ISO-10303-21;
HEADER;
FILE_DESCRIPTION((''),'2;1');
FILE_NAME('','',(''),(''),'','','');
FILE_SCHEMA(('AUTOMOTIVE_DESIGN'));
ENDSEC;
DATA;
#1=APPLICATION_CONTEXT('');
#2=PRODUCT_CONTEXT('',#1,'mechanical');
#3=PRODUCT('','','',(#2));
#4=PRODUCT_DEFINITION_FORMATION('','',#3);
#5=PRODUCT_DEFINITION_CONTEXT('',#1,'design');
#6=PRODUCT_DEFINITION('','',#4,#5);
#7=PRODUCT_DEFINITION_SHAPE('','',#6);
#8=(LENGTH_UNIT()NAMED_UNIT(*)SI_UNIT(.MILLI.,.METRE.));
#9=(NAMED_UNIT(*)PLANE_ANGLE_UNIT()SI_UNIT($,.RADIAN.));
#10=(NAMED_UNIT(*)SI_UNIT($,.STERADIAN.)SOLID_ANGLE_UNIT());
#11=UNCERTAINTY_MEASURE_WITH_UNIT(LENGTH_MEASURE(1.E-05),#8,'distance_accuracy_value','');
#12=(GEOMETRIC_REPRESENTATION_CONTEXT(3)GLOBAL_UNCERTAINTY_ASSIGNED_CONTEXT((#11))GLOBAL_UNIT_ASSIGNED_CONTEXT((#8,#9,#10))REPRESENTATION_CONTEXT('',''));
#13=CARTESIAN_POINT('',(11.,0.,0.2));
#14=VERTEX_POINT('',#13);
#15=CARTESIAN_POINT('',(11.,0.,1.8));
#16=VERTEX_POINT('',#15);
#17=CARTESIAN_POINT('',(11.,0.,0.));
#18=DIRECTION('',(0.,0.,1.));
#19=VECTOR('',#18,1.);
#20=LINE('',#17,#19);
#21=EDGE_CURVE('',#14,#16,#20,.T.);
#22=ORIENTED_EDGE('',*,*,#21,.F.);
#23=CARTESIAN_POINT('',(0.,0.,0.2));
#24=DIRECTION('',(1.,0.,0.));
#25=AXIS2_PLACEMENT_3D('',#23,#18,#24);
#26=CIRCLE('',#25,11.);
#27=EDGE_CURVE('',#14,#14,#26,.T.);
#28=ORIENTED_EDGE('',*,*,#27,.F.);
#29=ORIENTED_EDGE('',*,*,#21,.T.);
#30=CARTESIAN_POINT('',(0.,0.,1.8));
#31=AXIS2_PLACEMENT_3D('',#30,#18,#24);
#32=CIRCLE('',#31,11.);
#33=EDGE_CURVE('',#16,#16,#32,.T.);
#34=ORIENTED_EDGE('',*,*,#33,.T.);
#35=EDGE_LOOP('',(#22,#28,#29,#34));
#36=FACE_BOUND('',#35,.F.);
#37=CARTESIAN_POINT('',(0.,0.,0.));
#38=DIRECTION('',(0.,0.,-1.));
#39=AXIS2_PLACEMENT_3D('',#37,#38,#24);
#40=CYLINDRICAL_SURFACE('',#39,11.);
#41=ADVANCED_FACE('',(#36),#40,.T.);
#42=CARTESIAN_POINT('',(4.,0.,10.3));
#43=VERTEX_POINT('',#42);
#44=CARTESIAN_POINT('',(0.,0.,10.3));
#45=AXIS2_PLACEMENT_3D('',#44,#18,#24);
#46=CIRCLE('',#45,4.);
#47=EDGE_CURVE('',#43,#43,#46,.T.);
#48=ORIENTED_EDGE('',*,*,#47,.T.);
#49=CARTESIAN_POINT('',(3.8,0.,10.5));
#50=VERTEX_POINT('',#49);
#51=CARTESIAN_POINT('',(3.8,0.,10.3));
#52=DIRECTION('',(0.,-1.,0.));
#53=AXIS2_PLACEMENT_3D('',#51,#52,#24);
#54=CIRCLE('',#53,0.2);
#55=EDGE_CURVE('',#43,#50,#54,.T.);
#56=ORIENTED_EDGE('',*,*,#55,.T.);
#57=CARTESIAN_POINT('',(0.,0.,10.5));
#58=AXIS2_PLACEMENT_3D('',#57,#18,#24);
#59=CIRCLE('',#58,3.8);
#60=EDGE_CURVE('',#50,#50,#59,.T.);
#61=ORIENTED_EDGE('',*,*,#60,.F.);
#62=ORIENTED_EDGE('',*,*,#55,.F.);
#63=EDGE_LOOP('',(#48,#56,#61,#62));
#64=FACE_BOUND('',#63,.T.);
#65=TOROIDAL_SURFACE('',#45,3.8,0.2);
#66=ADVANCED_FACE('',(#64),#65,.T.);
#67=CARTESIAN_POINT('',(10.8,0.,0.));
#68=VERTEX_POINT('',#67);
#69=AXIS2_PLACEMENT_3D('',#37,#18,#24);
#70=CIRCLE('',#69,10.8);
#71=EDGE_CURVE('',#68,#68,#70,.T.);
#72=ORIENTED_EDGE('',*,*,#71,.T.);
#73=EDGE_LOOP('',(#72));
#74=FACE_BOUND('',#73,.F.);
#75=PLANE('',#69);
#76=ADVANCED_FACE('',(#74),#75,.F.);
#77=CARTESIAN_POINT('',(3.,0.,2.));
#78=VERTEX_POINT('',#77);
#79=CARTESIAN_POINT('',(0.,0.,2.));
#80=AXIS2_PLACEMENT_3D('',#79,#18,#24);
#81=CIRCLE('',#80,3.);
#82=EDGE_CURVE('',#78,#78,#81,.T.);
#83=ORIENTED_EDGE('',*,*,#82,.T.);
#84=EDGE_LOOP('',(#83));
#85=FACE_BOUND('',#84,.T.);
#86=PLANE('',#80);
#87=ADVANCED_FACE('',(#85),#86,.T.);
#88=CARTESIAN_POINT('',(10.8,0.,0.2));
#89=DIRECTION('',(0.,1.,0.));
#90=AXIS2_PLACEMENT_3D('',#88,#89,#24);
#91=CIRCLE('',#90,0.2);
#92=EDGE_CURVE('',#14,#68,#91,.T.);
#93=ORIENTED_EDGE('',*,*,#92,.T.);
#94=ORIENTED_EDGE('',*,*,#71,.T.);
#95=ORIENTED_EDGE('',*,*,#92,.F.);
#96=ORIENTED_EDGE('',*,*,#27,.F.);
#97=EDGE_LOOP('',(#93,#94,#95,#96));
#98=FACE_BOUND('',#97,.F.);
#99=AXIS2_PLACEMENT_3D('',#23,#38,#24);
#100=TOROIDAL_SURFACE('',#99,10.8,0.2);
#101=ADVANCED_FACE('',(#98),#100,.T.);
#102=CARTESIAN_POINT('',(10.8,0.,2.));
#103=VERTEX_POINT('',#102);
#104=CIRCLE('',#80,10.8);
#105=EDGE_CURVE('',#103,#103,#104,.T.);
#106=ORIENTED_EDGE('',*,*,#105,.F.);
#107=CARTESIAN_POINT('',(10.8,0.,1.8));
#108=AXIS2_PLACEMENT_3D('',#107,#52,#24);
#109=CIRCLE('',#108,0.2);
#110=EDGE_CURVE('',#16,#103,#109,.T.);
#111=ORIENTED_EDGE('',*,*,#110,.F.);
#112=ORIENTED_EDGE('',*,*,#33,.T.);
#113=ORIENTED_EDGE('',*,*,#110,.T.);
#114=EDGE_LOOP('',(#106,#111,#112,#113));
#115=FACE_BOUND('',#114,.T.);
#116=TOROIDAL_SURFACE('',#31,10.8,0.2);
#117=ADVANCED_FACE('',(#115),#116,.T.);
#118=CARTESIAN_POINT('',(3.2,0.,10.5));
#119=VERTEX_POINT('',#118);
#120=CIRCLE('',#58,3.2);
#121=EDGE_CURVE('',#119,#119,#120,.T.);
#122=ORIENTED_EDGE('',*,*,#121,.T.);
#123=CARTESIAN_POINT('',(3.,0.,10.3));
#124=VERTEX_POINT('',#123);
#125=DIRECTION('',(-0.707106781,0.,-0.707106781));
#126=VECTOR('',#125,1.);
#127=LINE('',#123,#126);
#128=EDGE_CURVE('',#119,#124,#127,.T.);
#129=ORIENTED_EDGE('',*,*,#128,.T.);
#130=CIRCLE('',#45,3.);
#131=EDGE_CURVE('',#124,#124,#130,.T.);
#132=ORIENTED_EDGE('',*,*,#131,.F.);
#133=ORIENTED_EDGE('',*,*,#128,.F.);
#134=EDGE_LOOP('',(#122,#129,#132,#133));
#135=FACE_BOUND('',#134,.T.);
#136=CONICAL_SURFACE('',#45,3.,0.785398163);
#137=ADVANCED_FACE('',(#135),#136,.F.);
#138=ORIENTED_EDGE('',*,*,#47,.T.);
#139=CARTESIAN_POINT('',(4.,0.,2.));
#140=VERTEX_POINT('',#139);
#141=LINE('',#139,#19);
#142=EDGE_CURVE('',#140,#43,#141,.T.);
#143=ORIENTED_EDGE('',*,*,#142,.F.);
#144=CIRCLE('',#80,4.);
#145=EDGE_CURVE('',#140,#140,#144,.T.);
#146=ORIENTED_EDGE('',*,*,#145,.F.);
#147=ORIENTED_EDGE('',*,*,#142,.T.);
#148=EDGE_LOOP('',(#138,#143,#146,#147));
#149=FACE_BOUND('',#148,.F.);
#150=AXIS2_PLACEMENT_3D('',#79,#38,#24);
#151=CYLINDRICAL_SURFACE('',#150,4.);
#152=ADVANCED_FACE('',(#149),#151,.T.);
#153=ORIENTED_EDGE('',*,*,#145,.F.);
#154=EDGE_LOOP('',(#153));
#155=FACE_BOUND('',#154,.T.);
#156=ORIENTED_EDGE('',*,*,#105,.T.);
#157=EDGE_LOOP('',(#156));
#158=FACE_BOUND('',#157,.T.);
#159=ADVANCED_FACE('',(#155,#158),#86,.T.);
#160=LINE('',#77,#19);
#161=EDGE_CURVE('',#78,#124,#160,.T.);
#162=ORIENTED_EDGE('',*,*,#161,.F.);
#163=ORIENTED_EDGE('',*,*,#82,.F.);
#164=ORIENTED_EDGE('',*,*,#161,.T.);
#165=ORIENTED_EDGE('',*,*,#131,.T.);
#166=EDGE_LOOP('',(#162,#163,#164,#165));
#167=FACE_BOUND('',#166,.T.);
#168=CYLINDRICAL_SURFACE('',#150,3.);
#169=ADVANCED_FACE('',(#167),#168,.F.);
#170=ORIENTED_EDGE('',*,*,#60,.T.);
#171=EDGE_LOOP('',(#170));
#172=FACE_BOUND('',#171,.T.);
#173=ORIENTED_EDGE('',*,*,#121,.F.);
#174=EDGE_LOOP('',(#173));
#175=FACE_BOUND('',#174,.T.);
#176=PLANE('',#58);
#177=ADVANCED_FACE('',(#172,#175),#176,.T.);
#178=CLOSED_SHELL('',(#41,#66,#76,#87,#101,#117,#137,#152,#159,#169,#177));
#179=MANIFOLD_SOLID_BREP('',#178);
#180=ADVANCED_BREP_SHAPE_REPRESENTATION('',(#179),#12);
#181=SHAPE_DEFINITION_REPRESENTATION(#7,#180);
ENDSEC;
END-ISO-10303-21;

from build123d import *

# Parameters (mm, degrees)
F0_R     = 11
F1_DEPTH = 2
F2_R     = 4
F2_R_2   = 3
F3_DEPTH = 8.5
F4_R     = 0.2
F5_SIZE  = 0.2


with BuildPart() as f1:
    # F0 (on Top) → F1 (new body)
    with BuildSketch(Plane.XY):
        Circle(F0_R)
    extrude(amount=F1_DEPTH)

    # F2 (on face) → F3 (join)
    with BuildSketch(Plane.XY.offset(2)):
        Circle(F2_R)
        Circle(F2_R_2, mode=Mode.SUBTRACT)
    extrude(amount=F3_DEPTH)

    # F4
    f4_edges = [f1.edges().sort_by_distance(p)[0] for p in [
        (-4, 0, 10.5),
        (-11, 0, 2),
        (-11, 0, 0),
    ]]
    fillet(f4_edges, radius=F4_R)

    # F5
    f5_edges = [f1.edges().sort_by_distance(p)[0] for p in [
        (-3, 0, 10.5),
    ]]
    chamfer(f5_edges, length=F5_SIZE)


solid = f1.part
